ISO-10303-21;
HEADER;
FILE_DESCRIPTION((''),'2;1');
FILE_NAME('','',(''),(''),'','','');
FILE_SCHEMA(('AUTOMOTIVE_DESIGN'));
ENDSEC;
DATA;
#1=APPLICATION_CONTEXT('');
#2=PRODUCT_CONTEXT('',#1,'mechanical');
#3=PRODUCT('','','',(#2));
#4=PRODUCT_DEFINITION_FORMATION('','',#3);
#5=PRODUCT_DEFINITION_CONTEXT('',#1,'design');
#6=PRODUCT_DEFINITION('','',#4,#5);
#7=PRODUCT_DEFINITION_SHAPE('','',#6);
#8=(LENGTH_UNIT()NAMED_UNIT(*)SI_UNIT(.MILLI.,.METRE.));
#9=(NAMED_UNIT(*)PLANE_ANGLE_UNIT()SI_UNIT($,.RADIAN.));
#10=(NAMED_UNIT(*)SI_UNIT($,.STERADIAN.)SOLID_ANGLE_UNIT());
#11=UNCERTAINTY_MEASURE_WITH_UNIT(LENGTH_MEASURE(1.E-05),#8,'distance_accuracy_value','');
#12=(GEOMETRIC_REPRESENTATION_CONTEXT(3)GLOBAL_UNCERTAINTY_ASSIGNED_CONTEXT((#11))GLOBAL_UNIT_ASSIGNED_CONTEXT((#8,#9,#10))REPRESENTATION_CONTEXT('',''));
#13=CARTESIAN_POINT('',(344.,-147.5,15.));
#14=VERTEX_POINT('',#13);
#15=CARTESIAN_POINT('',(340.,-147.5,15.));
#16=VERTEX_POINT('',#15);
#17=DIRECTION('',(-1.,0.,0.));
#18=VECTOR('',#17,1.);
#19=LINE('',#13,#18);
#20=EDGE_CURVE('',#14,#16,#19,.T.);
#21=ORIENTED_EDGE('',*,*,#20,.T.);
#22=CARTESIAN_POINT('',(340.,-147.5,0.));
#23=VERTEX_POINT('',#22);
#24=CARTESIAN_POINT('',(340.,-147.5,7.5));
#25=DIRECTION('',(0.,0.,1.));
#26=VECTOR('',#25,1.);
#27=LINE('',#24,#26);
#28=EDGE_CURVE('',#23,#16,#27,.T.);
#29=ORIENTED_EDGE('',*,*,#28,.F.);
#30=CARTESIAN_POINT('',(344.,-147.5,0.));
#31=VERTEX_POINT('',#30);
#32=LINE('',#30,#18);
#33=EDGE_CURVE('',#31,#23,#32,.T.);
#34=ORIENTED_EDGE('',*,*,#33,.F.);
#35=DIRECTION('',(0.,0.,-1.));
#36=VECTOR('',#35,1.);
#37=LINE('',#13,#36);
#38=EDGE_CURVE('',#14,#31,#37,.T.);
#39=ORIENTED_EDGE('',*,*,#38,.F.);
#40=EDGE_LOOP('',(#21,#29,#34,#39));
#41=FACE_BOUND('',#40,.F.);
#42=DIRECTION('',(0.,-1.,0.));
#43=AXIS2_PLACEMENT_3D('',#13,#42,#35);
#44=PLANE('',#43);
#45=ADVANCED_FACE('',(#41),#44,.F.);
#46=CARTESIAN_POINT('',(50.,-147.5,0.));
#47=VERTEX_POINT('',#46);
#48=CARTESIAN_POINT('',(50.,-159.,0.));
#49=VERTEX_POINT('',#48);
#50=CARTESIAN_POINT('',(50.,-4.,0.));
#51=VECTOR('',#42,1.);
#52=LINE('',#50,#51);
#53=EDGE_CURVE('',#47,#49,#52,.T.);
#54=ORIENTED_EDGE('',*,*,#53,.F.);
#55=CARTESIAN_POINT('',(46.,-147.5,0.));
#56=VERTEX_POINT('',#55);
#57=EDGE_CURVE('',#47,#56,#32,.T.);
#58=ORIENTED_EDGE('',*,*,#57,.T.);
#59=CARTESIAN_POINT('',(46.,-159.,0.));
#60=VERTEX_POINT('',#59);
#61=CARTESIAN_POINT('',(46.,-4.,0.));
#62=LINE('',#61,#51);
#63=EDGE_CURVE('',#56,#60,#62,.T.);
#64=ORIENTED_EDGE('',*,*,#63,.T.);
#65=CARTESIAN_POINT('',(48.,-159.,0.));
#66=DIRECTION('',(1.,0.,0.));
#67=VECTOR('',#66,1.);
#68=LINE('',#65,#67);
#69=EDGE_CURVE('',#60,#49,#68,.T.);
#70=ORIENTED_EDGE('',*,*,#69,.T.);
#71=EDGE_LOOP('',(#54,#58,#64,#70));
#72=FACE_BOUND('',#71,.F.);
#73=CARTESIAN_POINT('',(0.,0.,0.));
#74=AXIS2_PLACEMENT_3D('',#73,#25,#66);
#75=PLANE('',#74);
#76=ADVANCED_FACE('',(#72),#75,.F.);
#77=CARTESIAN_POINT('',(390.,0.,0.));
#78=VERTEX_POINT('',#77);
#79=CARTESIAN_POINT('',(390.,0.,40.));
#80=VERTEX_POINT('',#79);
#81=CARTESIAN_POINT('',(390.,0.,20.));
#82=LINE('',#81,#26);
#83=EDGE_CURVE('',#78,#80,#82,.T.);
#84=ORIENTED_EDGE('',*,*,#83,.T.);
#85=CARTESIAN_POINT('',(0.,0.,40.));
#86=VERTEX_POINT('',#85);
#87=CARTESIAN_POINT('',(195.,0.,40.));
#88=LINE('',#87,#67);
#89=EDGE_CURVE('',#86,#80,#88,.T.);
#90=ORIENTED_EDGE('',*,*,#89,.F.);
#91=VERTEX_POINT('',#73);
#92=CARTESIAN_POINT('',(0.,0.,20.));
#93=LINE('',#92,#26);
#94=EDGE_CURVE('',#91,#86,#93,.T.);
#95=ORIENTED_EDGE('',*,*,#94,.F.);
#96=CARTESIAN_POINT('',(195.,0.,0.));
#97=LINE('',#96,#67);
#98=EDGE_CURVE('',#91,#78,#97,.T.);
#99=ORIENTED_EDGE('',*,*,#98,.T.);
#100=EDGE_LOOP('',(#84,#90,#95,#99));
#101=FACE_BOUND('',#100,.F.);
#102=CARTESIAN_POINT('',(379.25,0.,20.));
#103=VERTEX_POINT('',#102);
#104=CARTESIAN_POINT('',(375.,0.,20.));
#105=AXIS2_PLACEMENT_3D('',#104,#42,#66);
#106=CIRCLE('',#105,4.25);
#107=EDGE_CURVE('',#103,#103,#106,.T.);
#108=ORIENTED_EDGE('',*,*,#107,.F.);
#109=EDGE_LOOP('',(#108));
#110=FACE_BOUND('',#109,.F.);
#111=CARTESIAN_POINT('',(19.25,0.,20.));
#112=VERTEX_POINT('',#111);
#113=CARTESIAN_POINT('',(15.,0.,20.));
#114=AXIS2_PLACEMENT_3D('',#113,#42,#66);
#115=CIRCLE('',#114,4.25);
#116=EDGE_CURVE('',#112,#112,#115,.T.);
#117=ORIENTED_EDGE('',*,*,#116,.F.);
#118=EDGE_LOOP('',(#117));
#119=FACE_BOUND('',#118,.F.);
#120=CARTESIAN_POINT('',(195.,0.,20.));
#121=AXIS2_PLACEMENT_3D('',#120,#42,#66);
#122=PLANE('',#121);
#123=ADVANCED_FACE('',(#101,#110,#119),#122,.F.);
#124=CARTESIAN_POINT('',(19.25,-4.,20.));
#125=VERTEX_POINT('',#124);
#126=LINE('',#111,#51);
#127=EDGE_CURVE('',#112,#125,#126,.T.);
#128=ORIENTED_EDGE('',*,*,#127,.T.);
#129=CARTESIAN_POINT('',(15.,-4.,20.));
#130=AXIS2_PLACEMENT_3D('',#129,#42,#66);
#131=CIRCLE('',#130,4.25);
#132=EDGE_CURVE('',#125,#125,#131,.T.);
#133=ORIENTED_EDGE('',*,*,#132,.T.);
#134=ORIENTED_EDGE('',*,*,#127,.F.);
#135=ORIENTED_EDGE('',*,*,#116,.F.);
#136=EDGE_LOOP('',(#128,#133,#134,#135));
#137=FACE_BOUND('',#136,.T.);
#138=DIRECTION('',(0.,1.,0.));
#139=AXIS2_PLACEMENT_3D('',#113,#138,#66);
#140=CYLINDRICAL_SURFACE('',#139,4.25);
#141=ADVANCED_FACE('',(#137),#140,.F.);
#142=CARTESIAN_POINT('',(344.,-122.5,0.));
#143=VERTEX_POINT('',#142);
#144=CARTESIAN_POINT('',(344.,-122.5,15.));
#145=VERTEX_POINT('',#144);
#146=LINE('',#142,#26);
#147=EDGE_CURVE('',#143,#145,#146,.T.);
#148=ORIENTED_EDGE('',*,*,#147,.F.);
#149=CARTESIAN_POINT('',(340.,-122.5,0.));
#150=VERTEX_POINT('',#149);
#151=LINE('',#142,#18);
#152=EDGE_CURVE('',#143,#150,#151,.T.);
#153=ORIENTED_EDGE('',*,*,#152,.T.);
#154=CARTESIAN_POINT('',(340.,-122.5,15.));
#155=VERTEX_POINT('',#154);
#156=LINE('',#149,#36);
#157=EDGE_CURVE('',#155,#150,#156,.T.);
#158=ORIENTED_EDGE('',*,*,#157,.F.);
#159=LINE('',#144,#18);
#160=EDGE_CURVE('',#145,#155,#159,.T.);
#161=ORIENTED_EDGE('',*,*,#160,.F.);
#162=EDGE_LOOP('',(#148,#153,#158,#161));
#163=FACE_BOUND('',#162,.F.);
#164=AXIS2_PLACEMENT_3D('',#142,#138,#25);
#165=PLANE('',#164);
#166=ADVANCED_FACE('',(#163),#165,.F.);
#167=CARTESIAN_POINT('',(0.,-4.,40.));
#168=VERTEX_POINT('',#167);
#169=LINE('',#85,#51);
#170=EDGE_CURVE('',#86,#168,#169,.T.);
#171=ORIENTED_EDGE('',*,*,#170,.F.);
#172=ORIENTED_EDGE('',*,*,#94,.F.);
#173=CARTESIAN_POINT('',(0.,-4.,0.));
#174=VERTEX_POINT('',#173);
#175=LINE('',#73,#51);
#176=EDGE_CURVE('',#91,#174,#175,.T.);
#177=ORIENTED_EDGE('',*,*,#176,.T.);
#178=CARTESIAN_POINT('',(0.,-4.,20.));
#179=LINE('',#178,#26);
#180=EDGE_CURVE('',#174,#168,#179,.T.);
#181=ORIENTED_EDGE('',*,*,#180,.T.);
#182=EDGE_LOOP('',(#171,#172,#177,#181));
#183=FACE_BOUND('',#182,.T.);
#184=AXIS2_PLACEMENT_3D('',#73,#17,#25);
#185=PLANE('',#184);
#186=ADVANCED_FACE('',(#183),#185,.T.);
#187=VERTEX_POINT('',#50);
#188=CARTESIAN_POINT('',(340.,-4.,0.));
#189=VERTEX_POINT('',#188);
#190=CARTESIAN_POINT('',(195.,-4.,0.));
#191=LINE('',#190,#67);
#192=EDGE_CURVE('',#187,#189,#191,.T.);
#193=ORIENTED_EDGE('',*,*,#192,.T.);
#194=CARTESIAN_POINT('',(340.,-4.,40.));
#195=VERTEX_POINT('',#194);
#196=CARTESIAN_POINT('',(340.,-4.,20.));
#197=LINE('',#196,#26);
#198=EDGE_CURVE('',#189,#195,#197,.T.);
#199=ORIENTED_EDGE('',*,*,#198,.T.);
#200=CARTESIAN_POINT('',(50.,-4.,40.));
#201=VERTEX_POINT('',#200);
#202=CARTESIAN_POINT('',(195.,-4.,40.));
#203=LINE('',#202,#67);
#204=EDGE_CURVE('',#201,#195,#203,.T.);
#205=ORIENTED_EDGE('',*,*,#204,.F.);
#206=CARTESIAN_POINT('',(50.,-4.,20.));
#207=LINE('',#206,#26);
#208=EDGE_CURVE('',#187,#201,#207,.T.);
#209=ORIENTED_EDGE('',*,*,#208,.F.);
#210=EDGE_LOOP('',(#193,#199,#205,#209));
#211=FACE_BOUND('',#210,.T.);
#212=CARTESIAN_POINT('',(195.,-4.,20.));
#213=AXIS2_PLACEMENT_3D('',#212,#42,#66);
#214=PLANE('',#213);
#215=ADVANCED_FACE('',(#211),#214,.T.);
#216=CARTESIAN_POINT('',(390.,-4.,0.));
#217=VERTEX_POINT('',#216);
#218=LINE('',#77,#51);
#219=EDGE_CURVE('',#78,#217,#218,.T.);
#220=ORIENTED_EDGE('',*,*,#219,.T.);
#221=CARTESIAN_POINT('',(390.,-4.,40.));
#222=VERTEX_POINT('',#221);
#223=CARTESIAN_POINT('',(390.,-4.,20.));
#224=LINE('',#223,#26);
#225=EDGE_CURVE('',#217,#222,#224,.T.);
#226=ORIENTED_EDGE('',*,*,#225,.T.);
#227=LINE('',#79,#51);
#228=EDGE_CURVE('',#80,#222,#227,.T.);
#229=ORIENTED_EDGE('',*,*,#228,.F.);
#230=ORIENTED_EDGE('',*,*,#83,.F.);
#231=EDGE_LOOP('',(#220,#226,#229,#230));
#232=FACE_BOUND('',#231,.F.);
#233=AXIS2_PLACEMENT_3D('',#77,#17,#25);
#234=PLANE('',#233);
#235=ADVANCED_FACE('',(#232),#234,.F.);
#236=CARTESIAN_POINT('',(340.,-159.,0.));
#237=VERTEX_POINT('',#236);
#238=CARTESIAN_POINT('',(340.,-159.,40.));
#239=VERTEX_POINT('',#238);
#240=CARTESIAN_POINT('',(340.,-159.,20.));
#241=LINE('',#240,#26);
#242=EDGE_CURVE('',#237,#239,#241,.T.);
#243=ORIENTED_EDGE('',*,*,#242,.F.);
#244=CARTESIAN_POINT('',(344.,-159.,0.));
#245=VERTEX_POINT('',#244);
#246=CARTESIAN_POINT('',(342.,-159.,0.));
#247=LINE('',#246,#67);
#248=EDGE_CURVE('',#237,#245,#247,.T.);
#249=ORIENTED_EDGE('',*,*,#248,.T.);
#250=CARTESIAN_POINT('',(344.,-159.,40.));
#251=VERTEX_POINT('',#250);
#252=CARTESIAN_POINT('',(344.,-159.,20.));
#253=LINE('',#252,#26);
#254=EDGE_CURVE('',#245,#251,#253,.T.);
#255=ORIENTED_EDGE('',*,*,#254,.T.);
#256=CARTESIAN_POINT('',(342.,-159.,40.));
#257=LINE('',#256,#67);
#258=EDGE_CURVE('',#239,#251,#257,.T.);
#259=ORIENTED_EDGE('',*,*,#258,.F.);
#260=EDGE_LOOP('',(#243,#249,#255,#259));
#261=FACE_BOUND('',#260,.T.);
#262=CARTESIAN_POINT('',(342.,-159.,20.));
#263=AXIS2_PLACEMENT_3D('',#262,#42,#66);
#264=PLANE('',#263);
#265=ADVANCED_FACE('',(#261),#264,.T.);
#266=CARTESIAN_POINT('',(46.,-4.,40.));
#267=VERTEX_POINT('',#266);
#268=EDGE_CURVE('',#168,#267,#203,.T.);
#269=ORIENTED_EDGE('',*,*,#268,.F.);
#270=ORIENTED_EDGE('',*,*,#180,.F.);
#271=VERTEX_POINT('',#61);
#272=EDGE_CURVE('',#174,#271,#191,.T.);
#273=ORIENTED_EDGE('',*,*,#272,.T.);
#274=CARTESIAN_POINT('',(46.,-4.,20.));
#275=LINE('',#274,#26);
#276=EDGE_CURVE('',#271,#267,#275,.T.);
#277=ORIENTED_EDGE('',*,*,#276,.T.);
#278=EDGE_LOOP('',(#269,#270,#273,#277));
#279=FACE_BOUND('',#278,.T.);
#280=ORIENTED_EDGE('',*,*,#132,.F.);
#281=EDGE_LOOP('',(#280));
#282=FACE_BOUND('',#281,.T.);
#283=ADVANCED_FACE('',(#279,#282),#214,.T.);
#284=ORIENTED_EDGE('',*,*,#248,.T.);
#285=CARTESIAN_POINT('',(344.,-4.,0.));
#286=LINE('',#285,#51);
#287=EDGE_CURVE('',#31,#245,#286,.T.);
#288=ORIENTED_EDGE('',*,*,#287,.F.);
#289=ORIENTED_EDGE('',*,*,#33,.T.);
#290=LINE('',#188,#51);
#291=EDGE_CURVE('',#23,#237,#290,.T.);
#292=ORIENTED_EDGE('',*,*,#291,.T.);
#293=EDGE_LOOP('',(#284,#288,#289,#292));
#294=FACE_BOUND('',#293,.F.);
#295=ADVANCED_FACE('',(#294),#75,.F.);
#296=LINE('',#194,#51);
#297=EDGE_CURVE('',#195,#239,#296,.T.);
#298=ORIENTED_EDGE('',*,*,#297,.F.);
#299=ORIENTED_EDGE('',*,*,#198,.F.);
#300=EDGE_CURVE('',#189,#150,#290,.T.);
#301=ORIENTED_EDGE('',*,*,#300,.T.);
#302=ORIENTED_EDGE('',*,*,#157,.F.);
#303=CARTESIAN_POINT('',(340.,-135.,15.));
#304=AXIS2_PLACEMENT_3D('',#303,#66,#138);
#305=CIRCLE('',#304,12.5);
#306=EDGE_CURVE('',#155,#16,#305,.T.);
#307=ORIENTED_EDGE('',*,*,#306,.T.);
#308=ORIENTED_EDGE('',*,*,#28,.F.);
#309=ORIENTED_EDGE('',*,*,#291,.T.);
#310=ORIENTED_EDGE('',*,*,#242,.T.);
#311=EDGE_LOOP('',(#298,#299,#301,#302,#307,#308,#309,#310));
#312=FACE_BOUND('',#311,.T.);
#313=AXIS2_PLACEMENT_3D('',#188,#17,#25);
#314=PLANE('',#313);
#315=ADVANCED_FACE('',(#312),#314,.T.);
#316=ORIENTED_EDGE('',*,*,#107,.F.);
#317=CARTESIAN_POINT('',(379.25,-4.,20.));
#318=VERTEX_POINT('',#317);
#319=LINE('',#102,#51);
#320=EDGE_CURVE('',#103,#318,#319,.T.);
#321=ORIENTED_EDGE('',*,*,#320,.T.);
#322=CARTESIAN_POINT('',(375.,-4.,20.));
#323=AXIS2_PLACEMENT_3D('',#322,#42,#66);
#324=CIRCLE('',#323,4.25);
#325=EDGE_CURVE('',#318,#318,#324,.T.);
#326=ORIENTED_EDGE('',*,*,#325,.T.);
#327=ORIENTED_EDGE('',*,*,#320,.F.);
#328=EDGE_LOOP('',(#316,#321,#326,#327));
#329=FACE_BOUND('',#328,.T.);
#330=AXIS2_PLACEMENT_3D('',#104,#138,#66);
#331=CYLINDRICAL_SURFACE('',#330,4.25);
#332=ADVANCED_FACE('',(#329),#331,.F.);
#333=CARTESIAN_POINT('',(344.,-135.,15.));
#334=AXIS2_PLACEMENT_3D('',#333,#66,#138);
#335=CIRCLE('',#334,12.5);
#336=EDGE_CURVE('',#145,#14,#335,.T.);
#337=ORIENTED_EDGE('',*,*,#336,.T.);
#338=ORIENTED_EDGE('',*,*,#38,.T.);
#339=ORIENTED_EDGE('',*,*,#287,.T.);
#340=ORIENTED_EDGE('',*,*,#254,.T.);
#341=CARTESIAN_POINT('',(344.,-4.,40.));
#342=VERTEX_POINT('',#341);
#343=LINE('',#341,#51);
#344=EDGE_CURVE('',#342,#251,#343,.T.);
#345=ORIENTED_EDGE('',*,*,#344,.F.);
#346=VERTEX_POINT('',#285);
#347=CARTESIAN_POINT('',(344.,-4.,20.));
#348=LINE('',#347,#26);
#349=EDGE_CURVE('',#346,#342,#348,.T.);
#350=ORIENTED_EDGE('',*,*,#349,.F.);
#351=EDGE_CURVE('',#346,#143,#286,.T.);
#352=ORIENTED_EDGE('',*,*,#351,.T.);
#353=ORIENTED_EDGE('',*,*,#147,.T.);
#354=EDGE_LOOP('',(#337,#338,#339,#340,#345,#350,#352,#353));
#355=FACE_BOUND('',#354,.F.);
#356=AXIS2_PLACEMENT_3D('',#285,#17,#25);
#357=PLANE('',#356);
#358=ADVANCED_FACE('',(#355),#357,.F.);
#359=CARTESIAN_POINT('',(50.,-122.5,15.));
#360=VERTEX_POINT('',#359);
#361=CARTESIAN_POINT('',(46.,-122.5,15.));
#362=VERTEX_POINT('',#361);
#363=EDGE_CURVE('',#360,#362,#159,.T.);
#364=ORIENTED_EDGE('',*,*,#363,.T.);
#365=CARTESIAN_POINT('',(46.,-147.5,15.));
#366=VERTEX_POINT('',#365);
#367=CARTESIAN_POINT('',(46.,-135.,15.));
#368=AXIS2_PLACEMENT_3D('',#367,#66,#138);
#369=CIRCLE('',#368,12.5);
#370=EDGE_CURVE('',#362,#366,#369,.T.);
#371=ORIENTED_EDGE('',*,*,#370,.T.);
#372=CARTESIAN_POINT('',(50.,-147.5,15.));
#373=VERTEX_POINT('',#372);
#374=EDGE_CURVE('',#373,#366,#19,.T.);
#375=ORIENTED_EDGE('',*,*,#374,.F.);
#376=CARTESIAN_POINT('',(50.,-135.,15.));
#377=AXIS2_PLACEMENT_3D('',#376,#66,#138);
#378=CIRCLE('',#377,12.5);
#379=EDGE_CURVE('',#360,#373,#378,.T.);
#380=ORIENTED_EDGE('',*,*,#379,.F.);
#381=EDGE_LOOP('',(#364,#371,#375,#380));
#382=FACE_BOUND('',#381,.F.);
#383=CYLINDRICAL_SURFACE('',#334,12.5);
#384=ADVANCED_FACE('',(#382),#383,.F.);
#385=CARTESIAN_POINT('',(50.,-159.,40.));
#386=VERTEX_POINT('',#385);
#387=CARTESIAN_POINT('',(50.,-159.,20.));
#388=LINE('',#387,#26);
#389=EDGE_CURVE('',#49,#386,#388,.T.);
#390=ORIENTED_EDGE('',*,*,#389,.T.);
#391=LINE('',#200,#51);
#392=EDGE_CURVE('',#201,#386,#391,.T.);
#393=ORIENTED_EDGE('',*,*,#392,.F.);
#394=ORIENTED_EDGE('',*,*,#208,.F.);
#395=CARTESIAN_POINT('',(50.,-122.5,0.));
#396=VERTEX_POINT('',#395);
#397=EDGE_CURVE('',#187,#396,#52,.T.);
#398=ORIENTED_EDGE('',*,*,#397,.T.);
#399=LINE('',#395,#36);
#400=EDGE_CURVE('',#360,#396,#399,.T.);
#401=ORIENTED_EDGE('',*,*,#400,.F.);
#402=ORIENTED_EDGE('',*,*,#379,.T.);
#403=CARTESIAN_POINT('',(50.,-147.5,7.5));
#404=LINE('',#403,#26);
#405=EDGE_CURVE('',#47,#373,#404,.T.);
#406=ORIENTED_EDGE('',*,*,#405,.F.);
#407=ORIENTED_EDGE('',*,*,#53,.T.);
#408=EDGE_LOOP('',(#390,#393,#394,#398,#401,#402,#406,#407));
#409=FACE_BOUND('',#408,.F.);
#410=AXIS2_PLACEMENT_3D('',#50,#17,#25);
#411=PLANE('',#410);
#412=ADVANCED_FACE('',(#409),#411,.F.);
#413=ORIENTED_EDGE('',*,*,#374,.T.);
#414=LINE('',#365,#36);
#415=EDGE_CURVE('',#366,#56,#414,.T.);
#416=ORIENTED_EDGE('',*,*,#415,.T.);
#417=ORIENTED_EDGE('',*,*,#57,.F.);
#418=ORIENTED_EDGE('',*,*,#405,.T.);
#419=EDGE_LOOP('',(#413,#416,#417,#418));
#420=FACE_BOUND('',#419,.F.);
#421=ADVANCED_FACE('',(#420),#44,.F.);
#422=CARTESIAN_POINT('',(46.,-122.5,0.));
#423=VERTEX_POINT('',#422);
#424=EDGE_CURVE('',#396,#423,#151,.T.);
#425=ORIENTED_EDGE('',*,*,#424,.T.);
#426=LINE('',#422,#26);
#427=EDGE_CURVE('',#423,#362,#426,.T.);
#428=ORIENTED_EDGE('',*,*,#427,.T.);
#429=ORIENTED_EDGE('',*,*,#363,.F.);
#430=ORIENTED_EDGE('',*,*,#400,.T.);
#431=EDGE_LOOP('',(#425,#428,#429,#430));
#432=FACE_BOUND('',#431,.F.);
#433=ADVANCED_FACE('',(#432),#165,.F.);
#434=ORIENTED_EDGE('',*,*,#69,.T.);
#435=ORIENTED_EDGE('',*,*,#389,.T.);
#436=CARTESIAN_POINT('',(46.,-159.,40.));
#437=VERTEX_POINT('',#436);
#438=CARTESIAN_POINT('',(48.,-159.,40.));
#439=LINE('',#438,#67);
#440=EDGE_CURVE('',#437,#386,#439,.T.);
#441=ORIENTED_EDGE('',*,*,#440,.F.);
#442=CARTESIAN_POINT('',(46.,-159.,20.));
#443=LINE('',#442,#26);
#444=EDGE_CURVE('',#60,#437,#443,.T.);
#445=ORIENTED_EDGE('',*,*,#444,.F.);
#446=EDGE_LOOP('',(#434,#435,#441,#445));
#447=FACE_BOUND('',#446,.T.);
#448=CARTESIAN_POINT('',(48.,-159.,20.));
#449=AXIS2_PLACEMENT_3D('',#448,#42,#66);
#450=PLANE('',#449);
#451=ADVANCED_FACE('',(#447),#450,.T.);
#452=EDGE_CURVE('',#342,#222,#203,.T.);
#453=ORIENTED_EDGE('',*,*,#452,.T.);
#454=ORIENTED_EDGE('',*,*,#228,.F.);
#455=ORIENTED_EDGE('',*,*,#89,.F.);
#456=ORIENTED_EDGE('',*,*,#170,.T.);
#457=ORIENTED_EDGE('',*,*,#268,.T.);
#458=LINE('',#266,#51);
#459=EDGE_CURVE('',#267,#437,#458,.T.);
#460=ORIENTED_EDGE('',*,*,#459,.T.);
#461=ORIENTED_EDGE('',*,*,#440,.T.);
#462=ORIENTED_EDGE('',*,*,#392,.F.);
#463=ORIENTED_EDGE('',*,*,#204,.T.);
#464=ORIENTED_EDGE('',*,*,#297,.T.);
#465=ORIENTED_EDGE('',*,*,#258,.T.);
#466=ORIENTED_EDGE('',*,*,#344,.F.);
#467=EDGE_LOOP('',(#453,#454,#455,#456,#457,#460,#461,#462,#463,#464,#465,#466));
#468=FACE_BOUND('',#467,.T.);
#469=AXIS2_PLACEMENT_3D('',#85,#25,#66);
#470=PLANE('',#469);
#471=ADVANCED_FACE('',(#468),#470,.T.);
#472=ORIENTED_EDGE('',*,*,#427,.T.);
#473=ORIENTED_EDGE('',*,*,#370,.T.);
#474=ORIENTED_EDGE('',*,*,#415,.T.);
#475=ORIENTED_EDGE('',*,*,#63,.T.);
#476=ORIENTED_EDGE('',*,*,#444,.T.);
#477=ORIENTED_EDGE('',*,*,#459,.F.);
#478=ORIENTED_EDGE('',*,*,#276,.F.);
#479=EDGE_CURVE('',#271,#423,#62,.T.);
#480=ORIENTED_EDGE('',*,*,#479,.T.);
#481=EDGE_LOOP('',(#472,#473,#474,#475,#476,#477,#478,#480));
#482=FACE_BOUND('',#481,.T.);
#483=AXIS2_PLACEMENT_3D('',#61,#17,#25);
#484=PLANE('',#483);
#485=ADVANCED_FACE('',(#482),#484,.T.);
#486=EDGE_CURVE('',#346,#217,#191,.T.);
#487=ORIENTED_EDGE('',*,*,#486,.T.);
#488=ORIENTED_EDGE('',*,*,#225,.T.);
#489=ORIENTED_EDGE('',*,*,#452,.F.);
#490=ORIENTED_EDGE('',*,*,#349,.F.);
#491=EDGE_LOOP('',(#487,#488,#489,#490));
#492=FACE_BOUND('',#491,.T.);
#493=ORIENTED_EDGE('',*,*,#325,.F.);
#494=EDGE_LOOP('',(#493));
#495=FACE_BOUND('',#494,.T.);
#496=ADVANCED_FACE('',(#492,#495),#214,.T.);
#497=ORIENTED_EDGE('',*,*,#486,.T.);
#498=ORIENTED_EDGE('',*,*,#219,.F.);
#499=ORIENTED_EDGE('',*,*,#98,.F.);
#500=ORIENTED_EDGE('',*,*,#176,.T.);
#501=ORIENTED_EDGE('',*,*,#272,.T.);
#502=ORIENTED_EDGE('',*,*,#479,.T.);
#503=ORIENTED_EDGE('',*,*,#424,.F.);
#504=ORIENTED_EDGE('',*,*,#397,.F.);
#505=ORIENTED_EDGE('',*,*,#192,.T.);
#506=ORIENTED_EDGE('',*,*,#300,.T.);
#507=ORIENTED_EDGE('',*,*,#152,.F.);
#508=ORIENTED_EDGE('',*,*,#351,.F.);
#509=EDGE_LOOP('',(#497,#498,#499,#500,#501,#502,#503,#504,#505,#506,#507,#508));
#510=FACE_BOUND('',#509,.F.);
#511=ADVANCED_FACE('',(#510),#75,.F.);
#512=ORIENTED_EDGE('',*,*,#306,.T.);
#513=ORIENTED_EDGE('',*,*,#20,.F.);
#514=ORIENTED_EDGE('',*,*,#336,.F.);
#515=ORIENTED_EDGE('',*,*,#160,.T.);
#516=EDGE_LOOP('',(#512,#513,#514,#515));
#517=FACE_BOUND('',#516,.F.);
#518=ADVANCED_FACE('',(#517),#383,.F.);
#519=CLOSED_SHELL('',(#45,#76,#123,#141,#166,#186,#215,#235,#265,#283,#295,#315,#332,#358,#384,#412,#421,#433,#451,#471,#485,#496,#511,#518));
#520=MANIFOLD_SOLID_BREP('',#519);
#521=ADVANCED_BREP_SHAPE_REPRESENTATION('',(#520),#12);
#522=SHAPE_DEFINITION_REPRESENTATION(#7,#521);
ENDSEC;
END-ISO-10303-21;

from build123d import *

# Parameters (mm, degrees)
F0_W     = 390
F0_H     = 40
F0_R     = 4.25
F1_DEPTH = 4
F2_W     = 4
F2_H     = 40
F3_DEPTH = 155
F5_DEPTH = 298


with BuildPart() as f1:
    # F0 (on Front) → F1 (new body)
    with BuildSketch(Plane.XZ):
        with Locations((195, 20)):
            Rectangle(F0_W, F0_H)
        with Locations((15, 20)):
            Circle(F0_R, mode=Mode.SUBTRACT)
        with Locations((375, 20)):
            Circle(F0_R, mode=Mode.SUBTRACT)
    extrude(amount=F1_DEPTH)

    # F2 (on face) → F3 (join)
    with BuildSketch(Plane.XZ.offset(4)):
        with Locations((48, 20)):
            Rectangle(F2_W, F2_H)
        with Locations((342, 20)):
            Rectangle(F2_W, F2_H)
    extrude(amount=F3_DEPTH)

    # F4 (on face) → F5 (cut, through all)
    with BuildSketch(Plane.YZ.offset(344)):
        with BuildLine():
            Line((-122.5, 0), (-122.5, 15))
            ThreePointArc((-122.5, 15), (-135, 27.5), (-147.5, 15))
            Line((-147.5, 15), (-147.5, 0))
            Line((-147.5, 0), (-122.5, 0))
        make_face()
    extrude(amount=-F5_DEPTH, mode=Mode.SUBTRACT)


solid = f1.part
